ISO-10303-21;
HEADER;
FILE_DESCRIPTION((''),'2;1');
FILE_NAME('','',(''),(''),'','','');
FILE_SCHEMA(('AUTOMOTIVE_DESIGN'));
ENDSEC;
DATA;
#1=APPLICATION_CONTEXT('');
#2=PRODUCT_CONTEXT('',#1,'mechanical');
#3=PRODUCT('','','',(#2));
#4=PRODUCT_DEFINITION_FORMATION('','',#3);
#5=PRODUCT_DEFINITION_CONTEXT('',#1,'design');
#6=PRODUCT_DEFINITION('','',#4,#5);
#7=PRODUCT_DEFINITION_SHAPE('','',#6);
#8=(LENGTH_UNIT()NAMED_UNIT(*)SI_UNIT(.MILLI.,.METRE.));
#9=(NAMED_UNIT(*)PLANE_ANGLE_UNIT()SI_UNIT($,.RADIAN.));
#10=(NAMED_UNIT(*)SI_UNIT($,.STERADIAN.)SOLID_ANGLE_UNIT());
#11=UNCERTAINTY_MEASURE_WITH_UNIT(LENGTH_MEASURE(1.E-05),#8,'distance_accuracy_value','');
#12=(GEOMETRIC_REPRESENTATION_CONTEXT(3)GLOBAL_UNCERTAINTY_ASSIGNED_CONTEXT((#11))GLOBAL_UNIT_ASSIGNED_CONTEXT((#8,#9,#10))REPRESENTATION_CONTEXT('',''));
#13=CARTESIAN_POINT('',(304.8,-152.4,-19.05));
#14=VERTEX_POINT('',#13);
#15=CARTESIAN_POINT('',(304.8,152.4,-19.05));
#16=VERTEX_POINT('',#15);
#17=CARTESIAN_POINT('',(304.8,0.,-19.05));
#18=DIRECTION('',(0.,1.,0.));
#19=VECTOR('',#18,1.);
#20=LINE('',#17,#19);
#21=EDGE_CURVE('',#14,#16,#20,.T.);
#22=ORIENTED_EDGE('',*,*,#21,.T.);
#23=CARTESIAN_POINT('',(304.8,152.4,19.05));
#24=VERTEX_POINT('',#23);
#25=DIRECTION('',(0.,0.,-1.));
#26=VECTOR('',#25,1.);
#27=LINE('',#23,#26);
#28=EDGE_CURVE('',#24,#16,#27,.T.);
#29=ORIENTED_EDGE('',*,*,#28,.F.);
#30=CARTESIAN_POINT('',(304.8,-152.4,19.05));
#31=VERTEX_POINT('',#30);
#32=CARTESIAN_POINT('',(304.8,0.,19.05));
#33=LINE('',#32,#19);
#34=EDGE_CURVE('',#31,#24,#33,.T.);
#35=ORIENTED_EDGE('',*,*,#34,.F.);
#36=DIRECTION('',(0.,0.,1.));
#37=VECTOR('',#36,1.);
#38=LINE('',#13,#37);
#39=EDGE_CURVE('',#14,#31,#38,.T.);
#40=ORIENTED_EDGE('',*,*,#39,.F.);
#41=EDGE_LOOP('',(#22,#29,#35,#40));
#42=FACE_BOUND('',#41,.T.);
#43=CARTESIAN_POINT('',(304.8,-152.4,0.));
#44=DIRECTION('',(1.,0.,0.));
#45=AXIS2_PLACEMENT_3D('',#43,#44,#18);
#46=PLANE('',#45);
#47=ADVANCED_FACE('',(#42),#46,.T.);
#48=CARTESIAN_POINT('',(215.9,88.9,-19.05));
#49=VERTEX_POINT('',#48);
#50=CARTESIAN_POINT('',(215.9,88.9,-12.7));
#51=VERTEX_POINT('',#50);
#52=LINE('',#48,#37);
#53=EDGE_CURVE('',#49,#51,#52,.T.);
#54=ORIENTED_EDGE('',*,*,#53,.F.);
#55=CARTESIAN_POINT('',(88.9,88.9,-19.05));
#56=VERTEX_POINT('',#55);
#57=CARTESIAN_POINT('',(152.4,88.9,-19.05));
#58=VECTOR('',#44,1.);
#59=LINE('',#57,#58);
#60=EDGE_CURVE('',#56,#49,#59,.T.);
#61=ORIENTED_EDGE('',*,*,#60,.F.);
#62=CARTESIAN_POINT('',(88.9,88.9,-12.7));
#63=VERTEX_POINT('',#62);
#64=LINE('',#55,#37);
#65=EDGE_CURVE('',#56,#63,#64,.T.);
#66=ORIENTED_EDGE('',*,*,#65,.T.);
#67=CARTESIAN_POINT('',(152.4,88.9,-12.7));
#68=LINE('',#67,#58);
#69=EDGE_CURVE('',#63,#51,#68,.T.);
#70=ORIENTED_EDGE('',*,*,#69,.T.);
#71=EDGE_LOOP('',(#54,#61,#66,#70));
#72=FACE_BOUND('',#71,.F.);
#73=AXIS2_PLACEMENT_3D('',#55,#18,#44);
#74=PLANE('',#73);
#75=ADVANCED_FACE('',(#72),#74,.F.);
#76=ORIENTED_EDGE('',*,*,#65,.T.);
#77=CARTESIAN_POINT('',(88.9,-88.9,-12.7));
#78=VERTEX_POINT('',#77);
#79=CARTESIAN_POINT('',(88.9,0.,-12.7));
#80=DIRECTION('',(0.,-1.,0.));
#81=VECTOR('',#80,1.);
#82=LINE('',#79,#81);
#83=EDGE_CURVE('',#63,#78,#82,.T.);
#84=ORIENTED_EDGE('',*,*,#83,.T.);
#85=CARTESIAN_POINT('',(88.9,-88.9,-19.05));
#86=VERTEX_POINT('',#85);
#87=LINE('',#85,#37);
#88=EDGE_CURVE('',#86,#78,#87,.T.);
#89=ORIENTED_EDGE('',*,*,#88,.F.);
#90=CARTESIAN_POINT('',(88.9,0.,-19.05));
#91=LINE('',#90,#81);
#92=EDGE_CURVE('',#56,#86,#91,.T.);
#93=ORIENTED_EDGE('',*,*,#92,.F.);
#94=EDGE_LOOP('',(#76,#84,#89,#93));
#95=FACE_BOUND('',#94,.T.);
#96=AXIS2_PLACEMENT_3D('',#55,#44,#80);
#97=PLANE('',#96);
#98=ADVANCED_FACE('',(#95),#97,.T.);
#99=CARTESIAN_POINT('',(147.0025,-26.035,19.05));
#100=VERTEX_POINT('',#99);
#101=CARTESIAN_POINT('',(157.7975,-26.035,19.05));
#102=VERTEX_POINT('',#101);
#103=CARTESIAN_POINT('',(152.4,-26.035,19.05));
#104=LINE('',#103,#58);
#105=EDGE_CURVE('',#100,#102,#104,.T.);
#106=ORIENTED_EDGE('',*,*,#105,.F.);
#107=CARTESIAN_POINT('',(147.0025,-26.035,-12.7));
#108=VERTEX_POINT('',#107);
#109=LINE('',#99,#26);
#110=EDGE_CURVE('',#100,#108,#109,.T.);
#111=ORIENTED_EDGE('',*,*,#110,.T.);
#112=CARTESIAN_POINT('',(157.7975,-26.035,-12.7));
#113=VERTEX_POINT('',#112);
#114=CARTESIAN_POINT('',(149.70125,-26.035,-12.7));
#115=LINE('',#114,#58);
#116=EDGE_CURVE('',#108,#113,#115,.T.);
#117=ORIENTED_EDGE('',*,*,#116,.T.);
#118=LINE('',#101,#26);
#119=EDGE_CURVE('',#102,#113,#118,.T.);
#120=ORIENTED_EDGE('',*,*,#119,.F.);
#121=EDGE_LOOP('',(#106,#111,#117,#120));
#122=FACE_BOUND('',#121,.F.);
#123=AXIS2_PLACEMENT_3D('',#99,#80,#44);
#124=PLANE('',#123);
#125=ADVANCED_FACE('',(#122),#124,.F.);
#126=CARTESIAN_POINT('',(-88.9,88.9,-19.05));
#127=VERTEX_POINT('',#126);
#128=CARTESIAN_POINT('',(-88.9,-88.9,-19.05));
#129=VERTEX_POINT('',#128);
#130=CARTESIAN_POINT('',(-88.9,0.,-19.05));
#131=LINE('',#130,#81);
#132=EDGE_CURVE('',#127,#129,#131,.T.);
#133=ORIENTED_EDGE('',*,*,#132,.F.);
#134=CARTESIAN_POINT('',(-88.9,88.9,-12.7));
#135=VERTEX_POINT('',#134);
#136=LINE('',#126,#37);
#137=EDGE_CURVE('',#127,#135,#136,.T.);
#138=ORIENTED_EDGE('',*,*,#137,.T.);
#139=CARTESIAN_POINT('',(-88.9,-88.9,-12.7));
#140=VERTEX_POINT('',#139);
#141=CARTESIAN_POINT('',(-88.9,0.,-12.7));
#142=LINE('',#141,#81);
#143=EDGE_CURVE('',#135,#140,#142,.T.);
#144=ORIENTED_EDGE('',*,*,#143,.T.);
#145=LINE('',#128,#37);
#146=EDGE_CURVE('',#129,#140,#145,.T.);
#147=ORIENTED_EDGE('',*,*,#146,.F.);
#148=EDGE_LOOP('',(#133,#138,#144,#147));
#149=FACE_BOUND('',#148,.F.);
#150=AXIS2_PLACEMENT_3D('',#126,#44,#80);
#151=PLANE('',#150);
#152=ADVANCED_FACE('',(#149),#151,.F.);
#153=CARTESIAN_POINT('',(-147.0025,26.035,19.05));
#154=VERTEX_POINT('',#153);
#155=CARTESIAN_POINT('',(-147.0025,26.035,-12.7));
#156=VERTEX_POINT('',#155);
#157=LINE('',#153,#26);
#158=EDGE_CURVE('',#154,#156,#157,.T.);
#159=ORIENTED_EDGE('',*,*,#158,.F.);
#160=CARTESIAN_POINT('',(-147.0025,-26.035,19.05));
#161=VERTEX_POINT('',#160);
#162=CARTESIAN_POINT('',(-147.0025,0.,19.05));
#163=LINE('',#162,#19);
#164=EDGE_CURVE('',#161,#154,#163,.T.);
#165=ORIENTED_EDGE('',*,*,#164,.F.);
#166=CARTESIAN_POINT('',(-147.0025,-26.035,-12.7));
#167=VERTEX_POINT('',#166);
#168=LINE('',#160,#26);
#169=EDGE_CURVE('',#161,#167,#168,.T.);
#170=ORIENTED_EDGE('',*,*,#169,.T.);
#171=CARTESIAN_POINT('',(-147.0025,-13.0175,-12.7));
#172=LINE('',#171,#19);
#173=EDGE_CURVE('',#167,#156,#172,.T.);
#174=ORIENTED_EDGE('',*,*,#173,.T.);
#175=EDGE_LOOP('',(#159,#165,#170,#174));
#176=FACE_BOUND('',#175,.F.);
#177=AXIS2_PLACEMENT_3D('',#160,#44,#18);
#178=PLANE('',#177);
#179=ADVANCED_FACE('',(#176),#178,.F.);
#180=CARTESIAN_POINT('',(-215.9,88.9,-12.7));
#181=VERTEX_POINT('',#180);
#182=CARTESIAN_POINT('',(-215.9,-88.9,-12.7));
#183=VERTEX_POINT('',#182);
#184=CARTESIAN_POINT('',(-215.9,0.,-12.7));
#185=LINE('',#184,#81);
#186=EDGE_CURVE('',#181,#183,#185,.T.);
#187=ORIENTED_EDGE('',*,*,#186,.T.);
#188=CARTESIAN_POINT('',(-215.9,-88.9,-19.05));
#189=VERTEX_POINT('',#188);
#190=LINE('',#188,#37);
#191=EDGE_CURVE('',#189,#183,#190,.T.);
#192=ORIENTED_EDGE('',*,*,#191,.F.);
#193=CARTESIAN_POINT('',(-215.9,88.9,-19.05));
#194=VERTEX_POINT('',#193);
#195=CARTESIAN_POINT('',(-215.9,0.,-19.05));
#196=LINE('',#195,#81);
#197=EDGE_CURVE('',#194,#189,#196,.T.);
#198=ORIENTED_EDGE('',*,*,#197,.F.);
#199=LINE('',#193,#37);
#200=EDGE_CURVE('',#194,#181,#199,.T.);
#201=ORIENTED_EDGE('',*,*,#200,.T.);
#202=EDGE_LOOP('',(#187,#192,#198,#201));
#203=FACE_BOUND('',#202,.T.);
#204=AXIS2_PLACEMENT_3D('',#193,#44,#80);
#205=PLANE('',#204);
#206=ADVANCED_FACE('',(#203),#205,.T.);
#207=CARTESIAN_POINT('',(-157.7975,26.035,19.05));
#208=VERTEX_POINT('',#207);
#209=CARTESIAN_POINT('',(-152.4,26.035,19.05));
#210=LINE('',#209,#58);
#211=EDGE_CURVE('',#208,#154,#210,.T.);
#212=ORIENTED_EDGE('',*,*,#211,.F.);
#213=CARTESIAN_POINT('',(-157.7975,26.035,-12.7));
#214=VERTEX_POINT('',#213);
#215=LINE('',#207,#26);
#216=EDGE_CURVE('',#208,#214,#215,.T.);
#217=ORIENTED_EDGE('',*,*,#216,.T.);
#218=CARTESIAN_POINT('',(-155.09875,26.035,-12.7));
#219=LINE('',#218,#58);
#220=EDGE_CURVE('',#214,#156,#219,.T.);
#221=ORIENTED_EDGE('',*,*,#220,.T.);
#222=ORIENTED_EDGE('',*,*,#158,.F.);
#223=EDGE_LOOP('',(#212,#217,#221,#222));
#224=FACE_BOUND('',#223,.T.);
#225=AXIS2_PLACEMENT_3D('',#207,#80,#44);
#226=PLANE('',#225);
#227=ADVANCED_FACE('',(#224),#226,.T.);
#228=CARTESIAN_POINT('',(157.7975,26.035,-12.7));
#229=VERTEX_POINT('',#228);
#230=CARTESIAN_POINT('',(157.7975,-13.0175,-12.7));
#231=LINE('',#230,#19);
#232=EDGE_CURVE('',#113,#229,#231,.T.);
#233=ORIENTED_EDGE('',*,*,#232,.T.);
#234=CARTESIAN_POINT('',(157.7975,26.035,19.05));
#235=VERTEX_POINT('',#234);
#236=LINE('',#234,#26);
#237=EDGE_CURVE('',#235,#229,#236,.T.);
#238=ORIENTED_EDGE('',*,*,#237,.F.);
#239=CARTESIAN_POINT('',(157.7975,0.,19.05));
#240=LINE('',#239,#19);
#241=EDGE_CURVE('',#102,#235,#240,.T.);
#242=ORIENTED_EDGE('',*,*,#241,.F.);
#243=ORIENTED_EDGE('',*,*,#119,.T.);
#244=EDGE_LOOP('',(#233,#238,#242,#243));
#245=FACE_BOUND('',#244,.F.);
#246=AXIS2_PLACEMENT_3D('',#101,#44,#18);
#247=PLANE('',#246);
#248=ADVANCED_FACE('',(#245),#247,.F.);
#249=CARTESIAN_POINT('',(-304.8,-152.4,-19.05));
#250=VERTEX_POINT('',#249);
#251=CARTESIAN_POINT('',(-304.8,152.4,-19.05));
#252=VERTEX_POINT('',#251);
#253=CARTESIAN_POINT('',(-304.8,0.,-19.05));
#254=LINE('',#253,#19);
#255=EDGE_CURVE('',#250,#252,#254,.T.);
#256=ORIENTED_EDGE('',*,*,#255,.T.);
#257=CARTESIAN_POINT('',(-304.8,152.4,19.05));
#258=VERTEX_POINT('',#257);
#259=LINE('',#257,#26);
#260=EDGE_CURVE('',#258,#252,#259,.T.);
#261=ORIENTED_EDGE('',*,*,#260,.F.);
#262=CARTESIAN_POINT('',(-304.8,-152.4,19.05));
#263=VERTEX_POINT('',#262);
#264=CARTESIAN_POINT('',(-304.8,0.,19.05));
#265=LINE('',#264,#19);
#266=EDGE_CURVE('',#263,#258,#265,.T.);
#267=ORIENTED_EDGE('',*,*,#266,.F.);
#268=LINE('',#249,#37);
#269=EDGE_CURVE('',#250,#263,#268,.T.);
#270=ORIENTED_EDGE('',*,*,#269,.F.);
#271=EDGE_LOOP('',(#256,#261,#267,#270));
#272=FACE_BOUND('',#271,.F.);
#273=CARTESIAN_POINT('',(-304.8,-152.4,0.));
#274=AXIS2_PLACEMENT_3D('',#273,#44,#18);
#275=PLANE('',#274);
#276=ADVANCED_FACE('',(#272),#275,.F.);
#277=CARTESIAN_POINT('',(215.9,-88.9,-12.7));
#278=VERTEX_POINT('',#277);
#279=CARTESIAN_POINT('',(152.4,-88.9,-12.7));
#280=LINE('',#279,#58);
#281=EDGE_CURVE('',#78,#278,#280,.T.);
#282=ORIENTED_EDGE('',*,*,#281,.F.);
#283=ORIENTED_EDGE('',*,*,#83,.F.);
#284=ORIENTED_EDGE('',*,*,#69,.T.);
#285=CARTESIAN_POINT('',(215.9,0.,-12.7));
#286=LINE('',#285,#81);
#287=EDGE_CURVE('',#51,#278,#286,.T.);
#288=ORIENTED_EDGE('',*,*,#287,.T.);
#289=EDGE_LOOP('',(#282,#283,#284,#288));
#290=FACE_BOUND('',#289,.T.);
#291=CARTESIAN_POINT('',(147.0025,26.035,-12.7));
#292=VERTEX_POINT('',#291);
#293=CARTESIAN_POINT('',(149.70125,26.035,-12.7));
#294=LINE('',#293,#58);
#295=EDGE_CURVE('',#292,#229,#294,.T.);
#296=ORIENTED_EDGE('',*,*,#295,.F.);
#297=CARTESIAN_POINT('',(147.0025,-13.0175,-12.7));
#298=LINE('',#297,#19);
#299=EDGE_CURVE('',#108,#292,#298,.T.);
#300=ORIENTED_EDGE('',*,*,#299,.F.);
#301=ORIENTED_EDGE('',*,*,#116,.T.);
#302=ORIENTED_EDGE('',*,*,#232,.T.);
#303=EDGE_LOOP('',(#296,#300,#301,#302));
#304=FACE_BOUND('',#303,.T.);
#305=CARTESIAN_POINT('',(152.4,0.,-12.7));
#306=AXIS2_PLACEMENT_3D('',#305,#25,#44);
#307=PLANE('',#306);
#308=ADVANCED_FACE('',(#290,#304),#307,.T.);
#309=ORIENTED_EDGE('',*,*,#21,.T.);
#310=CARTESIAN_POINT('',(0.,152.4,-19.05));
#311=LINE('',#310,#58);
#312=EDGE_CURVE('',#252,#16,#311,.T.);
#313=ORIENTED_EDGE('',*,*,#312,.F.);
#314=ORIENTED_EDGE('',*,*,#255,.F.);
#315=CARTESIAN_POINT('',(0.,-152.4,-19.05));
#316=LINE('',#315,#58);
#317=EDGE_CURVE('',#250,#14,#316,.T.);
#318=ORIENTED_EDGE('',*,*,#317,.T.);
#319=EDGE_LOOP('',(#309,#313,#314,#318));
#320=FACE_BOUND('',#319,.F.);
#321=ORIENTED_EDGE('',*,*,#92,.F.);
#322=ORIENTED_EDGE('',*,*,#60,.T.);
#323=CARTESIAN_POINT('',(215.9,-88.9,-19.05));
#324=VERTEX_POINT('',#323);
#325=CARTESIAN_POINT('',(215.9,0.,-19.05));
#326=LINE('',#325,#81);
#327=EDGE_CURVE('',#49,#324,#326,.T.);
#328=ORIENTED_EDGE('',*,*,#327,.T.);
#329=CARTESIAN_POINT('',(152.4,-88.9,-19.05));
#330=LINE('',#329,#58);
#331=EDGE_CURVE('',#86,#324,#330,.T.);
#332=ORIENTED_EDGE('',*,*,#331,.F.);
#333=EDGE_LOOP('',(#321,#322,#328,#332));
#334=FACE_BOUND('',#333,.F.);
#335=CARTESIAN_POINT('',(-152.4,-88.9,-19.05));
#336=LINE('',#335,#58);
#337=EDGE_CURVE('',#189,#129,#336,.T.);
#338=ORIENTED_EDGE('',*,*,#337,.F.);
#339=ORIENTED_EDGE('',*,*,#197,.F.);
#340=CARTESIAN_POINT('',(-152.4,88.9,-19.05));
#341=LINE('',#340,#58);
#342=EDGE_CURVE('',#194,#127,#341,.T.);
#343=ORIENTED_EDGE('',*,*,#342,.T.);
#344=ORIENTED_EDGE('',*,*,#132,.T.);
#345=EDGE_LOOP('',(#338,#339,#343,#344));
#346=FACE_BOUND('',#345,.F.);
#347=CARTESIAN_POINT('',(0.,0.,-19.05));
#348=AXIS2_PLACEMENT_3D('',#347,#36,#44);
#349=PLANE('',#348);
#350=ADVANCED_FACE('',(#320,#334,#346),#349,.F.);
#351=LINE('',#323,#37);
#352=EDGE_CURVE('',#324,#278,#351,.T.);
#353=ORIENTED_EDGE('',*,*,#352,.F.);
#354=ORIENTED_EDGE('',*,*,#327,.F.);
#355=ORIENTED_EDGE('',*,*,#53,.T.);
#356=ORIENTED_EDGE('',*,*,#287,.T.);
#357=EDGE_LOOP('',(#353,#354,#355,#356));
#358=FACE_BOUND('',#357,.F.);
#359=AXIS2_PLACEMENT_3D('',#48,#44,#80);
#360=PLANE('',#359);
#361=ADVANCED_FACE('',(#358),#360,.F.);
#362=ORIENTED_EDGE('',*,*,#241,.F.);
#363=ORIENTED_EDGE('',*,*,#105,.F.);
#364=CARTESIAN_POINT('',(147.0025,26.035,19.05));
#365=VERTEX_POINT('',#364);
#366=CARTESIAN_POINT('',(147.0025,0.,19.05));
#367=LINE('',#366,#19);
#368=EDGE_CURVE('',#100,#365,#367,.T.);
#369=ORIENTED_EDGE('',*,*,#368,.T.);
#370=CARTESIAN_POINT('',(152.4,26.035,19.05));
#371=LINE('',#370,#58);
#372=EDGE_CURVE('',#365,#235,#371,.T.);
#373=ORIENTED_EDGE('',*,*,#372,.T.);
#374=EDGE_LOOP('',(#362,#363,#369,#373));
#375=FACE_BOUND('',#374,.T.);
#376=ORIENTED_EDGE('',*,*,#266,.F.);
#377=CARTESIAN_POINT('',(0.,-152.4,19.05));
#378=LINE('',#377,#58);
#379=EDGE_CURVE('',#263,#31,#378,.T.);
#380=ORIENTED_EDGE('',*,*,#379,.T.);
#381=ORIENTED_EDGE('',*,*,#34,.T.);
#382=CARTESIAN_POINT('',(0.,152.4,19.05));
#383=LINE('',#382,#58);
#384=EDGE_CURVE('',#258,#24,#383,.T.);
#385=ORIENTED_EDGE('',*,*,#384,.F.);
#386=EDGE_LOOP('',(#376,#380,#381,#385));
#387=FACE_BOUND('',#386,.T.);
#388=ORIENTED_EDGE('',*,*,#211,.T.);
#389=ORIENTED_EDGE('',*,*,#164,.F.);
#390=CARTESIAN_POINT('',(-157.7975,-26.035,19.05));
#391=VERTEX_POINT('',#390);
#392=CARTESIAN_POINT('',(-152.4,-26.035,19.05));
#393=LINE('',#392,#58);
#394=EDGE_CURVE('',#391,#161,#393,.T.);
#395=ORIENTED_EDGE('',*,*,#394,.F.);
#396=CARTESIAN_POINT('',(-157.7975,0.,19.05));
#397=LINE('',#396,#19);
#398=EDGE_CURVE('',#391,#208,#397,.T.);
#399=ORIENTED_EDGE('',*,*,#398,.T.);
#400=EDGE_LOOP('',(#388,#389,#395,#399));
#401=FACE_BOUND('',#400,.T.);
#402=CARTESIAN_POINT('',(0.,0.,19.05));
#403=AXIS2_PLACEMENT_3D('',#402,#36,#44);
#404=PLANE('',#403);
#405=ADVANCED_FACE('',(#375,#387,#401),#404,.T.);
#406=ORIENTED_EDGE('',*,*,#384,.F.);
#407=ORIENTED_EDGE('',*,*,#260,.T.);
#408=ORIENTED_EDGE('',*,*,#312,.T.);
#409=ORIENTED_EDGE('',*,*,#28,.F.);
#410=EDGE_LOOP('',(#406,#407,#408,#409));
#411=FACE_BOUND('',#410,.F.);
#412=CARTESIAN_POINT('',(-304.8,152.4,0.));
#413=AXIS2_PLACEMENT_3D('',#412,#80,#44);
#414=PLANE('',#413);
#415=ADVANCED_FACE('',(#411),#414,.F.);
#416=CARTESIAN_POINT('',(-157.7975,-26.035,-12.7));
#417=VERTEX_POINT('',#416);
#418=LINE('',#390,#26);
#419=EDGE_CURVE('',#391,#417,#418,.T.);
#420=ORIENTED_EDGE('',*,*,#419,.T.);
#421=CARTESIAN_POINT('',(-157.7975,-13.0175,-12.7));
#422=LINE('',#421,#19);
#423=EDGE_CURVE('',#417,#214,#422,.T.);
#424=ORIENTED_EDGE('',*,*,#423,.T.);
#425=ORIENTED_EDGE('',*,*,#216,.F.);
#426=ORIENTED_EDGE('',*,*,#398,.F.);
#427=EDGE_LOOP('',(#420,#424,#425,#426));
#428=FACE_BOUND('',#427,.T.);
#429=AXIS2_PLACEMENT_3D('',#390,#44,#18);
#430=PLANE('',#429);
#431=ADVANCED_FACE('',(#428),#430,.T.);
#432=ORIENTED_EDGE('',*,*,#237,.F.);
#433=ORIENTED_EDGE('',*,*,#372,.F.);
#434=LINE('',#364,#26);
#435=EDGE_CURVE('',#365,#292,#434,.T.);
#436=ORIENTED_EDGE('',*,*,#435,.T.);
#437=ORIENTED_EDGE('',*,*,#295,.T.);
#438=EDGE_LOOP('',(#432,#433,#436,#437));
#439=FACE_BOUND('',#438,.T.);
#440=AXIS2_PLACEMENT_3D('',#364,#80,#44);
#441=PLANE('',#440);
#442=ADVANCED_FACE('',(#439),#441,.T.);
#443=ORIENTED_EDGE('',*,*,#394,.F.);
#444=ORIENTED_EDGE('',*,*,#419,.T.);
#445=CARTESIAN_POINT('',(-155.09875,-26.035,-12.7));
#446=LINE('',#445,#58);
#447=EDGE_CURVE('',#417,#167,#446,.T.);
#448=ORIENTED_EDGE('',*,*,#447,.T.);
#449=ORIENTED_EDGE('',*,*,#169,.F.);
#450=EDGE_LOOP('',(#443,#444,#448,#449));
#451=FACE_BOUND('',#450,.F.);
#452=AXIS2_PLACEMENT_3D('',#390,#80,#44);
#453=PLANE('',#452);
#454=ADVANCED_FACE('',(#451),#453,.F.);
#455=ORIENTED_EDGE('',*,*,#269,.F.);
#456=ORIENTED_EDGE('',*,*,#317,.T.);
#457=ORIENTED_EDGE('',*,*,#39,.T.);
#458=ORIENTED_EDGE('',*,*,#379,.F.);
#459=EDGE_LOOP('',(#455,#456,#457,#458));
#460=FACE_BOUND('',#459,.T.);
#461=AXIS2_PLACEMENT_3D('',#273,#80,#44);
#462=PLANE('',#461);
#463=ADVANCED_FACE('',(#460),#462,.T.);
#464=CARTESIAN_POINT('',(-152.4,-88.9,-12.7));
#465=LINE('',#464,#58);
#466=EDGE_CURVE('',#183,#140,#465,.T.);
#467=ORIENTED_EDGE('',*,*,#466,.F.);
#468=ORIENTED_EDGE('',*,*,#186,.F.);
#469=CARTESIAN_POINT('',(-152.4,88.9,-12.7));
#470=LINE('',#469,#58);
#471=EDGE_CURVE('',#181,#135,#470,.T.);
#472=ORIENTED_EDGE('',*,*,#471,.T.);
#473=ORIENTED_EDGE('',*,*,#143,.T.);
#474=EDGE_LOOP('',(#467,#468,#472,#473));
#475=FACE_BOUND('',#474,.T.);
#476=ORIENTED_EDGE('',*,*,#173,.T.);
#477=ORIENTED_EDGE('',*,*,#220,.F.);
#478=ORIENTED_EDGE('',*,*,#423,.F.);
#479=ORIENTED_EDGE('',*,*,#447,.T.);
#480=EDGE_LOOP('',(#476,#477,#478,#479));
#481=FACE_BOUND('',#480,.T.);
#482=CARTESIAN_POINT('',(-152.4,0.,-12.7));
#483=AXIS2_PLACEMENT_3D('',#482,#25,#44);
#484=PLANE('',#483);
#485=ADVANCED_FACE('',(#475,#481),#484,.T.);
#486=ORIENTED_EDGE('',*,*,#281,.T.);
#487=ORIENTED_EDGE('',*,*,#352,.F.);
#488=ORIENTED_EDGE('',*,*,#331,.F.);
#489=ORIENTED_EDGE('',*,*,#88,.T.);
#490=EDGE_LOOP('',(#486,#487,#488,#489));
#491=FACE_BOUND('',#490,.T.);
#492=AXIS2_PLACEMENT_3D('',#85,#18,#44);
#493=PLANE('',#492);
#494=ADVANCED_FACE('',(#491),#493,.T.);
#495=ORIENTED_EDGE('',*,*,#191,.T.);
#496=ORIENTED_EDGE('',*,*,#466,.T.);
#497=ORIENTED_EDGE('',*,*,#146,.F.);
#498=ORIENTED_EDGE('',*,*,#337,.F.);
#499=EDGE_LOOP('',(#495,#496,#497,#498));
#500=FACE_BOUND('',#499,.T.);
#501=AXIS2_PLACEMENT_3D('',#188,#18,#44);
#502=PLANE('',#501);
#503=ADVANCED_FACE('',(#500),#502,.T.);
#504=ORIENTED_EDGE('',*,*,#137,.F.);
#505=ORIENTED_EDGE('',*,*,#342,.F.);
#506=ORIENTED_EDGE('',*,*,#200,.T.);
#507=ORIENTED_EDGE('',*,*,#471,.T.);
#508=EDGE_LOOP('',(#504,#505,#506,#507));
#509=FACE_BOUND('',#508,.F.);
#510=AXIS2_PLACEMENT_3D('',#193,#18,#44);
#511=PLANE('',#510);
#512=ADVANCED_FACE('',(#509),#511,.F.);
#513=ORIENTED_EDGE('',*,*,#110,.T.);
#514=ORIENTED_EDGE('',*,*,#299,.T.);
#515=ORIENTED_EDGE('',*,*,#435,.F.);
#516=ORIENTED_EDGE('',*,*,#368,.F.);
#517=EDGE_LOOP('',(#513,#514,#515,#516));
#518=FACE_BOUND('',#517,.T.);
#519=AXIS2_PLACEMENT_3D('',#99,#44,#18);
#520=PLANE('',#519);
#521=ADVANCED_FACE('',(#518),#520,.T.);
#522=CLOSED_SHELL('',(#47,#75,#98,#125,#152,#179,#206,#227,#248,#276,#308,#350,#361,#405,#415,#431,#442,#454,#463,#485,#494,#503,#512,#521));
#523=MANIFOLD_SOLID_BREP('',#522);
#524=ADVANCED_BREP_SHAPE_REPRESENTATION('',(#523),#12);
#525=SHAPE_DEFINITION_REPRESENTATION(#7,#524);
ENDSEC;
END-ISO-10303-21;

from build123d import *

# Parameters (mm, degrees)
F0_W     = 609.6
F0_H     = 304.8
F1_DEPTH = 19.05
F2_W     = 10.795
F2_H     = 52.07
F3_DEPTH = 38.101
F4_W     = 127
F4_H     = 177.8
F5_DEPTH = 6.35


with BuildPart() as f1:
    # F0 (on Top) → F1 (new body, symmetric)
    with BuildSketch(Plane.XY):
        Rectangle(F0_W, F0_H)
    extrude(amount=F1_DEPTH, both=True)

    # F2 (on face) → F3 (cut, through all)
    with BuildSketch(Plane.XY.offset(19.05)):
        with Locations((-152.4, 0)):
            Rectangle(F2_W, F2_H)
        with Locations((152.4, 0)):
            Rectangle(F2_W, F2_H)
    extrude(amount=-F3_DEPTH, mode=Mode.SUBTRACT)

    # F4 (on face) → F5 (cut)
    with BuildSketch(Plane(origin=(0, 0, -19.05), x_dir=(1, 0, 0), z_dir=(0, 0, -1))):
        with Locations((-152.4, 0)):
            Rectangle(F4_W, F4_H)
        with Locations((152.4, 0)):
            Rectangle(F4_W, F4_H)
    extrude(amount=-F5_DEPTH, mode=Mode.SUBTRACT)


solid = f1.part
